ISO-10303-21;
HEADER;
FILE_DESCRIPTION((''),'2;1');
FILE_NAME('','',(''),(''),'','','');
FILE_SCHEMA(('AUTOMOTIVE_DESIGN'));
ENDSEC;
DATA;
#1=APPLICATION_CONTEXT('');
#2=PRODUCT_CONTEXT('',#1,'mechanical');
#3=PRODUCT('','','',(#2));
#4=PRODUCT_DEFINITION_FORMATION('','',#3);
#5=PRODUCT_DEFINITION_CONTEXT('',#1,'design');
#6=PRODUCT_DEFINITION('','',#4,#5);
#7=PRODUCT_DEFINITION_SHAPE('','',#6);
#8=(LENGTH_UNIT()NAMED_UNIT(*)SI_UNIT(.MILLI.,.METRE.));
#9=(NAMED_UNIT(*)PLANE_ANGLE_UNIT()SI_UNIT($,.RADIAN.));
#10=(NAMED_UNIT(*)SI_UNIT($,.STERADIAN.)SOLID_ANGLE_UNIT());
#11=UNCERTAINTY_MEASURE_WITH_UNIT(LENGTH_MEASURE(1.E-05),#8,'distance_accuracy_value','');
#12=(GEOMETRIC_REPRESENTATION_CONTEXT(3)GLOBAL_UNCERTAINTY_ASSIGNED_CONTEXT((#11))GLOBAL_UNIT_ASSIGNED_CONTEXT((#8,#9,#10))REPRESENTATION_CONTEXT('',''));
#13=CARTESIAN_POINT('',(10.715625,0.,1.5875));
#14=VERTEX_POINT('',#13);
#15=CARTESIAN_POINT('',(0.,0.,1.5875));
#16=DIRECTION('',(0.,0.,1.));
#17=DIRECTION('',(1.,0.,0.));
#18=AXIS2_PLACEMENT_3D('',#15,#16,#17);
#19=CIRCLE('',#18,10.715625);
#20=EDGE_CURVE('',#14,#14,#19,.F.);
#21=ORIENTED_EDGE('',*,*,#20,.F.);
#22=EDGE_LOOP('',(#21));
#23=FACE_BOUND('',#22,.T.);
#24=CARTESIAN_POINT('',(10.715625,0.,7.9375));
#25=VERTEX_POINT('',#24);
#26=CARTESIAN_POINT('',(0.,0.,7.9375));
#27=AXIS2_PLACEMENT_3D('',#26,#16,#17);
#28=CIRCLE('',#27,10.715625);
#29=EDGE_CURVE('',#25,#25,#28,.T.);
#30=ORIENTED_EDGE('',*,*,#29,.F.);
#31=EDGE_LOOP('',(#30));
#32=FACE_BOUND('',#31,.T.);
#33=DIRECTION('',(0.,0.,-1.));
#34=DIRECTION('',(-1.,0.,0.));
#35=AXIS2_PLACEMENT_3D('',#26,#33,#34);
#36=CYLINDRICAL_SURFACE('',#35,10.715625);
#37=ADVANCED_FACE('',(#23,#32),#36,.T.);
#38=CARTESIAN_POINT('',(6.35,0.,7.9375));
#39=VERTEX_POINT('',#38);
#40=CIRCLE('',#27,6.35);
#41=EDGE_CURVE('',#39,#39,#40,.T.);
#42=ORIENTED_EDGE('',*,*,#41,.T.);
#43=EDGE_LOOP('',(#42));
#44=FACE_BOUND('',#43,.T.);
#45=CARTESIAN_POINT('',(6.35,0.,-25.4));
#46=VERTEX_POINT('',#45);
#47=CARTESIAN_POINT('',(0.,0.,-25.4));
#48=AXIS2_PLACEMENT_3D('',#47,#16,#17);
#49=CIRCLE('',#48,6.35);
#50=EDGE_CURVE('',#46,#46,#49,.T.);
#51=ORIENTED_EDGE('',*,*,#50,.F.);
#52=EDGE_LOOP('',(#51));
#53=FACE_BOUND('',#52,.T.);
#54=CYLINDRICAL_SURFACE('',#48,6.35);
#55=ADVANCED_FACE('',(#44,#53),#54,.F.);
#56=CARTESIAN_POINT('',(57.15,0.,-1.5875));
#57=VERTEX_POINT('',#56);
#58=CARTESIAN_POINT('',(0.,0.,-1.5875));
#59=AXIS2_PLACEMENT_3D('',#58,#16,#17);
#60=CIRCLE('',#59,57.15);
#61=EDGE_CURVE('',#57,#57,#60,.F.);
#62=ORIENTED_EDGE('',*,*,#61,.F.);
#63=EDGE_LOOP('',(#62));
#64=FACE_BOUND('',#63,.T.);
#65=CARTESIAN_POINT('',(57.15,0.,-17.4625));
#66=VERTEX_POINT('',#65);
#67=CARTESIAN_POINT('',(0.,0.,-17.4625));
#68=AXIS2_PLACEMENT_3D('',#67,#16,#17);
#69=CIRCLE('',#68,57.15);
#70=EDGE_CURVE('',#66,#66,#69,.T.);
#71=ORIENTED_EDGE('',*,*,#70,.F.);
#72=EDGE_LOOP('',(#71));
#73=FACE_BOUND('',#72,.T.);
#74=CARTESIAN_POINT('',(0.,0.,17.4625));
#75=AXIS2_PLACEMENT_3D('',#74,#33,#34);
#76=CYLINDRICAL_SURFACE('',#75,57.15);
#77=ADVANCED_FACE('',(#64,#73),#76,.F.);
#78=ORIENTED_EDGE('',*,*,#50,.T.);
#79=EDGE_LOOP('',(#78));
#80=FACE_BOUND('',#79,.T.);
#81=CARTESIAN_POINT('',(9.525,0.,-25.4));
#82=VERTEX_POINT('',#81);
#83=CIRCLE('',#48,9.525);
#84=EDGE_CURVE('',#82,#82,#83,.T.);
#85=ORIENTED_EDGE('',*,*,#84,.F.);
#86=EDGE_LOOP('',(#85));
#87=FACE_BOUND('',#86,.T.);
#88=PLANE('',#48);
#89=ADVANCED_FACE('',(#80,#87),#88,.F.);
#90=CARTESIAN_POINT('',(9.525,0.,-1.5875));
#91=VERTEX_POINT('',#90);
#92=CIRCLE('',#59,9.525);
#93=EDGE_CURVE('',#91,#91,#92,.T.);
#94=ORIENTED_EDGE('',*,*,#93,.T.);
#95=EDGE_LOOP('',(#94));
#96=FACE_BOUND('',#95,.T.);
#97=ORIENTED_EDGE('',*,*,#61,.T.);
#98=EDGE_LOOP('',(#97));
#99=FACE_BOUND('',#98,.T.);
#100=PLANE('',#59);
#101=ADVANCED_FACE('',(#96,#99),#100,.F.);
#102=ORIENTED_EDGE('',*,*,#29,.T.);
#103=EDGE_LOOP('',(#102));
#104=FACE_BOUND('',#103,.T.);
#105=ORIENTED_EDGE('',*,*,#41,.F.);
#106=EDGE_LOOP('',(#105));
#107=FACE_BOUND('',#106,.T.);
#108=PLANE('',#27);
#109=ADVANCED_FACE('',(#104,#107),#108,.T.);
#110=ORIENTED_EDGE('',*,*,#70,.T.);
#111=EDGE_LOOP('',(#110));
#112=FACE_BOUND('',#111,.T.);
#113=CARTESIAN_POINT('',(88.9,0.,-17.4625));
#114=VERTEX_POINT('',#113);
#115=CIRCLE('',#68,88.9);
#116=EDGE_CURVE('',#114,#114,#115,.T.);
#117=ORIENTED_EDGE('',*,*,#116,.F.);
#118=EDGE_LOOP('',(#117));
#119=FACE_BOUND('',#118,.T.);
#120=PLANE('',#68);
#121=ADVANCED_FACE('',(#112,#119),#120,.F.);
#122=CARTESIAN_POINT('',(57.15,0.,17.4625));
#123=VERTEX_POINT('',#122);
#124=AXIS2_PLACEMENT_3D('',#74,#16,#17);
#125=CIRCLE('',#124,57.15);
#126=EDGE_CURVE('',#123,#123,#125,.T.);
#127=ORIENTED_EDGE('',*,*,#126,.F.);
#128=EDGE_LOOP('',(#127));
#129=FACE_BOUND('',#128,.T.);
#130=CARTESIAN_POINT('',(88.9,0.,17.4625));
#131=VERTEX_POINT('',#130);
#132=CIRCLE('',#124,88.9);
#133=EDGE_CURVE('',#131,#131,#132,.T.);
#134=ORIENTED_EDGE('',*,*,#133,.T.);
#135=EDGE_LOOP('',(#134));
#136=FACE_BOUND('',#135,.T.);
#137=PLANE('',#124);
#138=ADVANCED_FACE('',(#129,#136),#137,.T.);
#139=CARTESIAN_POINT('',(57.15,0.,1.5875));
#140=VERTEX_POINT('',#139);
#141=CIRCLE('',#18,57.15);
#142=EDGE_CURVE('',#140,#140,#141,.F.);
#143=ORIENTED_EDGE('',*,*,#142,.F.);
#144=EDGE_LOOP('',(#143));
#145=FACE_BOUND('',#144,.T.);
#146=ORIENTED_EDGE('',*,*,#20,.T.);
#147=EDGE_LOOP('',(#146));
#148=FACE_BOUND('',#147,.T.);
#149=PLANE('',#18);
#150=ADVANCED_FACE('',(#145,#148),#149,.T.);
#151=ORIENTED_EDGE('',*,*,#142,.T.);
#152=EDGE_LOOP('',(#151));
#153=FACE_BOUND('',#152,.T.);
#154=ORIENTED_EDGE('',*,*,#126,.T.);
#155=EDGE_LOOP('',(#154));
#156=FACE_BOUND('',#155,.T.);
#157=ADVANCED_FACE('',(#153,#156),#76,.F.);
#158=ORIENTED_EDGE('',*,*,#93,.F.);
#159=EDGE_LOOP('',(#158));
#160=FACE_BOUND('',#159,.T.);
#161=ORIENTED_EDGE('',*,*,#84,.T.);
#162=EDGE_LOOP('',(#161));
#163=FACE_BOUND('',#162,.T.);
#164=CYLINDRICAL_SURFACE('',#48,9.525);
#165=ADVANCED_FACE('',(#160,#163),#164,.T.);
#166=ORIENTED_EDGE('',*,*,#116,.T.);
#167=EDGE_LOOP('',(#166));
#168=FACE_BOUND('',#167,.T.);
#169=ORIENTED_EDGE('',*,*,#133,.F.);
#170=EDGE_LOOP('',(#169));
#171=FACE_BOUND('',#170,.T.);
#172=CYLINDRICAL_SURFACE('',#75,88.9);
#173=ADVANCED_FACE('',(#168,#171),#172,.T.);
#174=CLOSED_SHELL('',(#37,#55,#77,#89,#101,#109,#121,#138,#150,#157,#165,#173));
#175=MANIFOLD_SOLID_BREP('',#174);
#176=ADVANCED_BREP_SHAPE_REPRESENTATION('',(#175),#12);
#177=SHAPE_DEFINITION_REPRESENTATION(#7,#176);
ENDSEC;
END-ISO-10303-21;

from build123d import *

# Parameters (mm, degrees)
SKETCH1_R               = 88.9
SKETCH1_R_2             = 69.85
BOSS_EXTRUDE1_DEPTH     = 17.4625
SKETCH2_R               = 69.85
BOSS_EXTRUDE2_DEPTH     = 1.5875
SKETCH3_R               = 69.85
SKETCH3_R_2             = 57.15
BOSS_EXTRUDE3_DEPTH     = 17.4625
SKETCH4_R               = 10.715625
BOSS_EXTRUDE4_DEPTH     = 7.9375
SKETCH5_R               = 9.525
BOSS_EXTRUDE5_DEPTH     = 25.4
CUT_EXTRUDE1_DEPTH      = 129.263712717
CUT_EXTRUDE1_DEPTH_BACK = 129.263712717
SKETCH6_R               = 6.35


with BuildPart() as part:
    # Sketch1 → Boss-Extrude1 (new, symmetric)
    with BuildSketch(Plane.XY):
        Circle(SKETCH1_R)
        Circle(SKETCH1_R_2, mode=Mode.SUBTRACT)
    extrude(amount=BOSS_EXTRUDE1_DEPTH, both=True)

    # Sketch2 → Boss-Extrude2 (add, symmetric)
    with BuildSketch(Plane.XY):
        Circle(SKETCH2_R)
    extrude(amount=BOSS_EXTRUDE2_DEPTH, both=True)



with BuildPart() as body_2:
    # Sketch3 → Boss-Extrude3 (new, symmetric)
    with BuildSketch(Plane.XY):
        Circle(SKETCH3_R)
        Circle(SKETCH3_R_2, mode=Mode.SUBTRACT)
    extrude(amount=BOSS_EXTRUDE3_DEPTH, both=True)


with BuildPart() as part_1:
    add(part.part)

    add(body_2.part)  # Boss-Extrude4 merges body 2
    # Sketch4 → Boss-Extrude4 (add)
    with BuildSketch(Plane.XY):
        Circle(SKETCH4_R)
    extrude(amount=BOSS_EXTRUDE4_DEPTH)

    # Sketch5 → Boss-Extrude5 (add)
    with BuildSketch(Plane.XY):
        Circle(SKETCH5_R)
    extrude(amount=-BOSS_EXTRUDE5_DEPTH)

    # Sketch6 → Cut-Extrude1 (cut, two sides: drawn at the far end of the back side and taken through both)
    with BuildSketch(Plane.XY.offset(-CUT_EXTRUDE1_DEPTH_BACK)):
        Circle(SKETCH6_R)
    extrude(amount=CUT_EXTRUDE1_DEPTH + CUT_EXTRUDE1_DEPTH_BACK, mode=Mode.SUBTRACT)


solid = part_1.part
